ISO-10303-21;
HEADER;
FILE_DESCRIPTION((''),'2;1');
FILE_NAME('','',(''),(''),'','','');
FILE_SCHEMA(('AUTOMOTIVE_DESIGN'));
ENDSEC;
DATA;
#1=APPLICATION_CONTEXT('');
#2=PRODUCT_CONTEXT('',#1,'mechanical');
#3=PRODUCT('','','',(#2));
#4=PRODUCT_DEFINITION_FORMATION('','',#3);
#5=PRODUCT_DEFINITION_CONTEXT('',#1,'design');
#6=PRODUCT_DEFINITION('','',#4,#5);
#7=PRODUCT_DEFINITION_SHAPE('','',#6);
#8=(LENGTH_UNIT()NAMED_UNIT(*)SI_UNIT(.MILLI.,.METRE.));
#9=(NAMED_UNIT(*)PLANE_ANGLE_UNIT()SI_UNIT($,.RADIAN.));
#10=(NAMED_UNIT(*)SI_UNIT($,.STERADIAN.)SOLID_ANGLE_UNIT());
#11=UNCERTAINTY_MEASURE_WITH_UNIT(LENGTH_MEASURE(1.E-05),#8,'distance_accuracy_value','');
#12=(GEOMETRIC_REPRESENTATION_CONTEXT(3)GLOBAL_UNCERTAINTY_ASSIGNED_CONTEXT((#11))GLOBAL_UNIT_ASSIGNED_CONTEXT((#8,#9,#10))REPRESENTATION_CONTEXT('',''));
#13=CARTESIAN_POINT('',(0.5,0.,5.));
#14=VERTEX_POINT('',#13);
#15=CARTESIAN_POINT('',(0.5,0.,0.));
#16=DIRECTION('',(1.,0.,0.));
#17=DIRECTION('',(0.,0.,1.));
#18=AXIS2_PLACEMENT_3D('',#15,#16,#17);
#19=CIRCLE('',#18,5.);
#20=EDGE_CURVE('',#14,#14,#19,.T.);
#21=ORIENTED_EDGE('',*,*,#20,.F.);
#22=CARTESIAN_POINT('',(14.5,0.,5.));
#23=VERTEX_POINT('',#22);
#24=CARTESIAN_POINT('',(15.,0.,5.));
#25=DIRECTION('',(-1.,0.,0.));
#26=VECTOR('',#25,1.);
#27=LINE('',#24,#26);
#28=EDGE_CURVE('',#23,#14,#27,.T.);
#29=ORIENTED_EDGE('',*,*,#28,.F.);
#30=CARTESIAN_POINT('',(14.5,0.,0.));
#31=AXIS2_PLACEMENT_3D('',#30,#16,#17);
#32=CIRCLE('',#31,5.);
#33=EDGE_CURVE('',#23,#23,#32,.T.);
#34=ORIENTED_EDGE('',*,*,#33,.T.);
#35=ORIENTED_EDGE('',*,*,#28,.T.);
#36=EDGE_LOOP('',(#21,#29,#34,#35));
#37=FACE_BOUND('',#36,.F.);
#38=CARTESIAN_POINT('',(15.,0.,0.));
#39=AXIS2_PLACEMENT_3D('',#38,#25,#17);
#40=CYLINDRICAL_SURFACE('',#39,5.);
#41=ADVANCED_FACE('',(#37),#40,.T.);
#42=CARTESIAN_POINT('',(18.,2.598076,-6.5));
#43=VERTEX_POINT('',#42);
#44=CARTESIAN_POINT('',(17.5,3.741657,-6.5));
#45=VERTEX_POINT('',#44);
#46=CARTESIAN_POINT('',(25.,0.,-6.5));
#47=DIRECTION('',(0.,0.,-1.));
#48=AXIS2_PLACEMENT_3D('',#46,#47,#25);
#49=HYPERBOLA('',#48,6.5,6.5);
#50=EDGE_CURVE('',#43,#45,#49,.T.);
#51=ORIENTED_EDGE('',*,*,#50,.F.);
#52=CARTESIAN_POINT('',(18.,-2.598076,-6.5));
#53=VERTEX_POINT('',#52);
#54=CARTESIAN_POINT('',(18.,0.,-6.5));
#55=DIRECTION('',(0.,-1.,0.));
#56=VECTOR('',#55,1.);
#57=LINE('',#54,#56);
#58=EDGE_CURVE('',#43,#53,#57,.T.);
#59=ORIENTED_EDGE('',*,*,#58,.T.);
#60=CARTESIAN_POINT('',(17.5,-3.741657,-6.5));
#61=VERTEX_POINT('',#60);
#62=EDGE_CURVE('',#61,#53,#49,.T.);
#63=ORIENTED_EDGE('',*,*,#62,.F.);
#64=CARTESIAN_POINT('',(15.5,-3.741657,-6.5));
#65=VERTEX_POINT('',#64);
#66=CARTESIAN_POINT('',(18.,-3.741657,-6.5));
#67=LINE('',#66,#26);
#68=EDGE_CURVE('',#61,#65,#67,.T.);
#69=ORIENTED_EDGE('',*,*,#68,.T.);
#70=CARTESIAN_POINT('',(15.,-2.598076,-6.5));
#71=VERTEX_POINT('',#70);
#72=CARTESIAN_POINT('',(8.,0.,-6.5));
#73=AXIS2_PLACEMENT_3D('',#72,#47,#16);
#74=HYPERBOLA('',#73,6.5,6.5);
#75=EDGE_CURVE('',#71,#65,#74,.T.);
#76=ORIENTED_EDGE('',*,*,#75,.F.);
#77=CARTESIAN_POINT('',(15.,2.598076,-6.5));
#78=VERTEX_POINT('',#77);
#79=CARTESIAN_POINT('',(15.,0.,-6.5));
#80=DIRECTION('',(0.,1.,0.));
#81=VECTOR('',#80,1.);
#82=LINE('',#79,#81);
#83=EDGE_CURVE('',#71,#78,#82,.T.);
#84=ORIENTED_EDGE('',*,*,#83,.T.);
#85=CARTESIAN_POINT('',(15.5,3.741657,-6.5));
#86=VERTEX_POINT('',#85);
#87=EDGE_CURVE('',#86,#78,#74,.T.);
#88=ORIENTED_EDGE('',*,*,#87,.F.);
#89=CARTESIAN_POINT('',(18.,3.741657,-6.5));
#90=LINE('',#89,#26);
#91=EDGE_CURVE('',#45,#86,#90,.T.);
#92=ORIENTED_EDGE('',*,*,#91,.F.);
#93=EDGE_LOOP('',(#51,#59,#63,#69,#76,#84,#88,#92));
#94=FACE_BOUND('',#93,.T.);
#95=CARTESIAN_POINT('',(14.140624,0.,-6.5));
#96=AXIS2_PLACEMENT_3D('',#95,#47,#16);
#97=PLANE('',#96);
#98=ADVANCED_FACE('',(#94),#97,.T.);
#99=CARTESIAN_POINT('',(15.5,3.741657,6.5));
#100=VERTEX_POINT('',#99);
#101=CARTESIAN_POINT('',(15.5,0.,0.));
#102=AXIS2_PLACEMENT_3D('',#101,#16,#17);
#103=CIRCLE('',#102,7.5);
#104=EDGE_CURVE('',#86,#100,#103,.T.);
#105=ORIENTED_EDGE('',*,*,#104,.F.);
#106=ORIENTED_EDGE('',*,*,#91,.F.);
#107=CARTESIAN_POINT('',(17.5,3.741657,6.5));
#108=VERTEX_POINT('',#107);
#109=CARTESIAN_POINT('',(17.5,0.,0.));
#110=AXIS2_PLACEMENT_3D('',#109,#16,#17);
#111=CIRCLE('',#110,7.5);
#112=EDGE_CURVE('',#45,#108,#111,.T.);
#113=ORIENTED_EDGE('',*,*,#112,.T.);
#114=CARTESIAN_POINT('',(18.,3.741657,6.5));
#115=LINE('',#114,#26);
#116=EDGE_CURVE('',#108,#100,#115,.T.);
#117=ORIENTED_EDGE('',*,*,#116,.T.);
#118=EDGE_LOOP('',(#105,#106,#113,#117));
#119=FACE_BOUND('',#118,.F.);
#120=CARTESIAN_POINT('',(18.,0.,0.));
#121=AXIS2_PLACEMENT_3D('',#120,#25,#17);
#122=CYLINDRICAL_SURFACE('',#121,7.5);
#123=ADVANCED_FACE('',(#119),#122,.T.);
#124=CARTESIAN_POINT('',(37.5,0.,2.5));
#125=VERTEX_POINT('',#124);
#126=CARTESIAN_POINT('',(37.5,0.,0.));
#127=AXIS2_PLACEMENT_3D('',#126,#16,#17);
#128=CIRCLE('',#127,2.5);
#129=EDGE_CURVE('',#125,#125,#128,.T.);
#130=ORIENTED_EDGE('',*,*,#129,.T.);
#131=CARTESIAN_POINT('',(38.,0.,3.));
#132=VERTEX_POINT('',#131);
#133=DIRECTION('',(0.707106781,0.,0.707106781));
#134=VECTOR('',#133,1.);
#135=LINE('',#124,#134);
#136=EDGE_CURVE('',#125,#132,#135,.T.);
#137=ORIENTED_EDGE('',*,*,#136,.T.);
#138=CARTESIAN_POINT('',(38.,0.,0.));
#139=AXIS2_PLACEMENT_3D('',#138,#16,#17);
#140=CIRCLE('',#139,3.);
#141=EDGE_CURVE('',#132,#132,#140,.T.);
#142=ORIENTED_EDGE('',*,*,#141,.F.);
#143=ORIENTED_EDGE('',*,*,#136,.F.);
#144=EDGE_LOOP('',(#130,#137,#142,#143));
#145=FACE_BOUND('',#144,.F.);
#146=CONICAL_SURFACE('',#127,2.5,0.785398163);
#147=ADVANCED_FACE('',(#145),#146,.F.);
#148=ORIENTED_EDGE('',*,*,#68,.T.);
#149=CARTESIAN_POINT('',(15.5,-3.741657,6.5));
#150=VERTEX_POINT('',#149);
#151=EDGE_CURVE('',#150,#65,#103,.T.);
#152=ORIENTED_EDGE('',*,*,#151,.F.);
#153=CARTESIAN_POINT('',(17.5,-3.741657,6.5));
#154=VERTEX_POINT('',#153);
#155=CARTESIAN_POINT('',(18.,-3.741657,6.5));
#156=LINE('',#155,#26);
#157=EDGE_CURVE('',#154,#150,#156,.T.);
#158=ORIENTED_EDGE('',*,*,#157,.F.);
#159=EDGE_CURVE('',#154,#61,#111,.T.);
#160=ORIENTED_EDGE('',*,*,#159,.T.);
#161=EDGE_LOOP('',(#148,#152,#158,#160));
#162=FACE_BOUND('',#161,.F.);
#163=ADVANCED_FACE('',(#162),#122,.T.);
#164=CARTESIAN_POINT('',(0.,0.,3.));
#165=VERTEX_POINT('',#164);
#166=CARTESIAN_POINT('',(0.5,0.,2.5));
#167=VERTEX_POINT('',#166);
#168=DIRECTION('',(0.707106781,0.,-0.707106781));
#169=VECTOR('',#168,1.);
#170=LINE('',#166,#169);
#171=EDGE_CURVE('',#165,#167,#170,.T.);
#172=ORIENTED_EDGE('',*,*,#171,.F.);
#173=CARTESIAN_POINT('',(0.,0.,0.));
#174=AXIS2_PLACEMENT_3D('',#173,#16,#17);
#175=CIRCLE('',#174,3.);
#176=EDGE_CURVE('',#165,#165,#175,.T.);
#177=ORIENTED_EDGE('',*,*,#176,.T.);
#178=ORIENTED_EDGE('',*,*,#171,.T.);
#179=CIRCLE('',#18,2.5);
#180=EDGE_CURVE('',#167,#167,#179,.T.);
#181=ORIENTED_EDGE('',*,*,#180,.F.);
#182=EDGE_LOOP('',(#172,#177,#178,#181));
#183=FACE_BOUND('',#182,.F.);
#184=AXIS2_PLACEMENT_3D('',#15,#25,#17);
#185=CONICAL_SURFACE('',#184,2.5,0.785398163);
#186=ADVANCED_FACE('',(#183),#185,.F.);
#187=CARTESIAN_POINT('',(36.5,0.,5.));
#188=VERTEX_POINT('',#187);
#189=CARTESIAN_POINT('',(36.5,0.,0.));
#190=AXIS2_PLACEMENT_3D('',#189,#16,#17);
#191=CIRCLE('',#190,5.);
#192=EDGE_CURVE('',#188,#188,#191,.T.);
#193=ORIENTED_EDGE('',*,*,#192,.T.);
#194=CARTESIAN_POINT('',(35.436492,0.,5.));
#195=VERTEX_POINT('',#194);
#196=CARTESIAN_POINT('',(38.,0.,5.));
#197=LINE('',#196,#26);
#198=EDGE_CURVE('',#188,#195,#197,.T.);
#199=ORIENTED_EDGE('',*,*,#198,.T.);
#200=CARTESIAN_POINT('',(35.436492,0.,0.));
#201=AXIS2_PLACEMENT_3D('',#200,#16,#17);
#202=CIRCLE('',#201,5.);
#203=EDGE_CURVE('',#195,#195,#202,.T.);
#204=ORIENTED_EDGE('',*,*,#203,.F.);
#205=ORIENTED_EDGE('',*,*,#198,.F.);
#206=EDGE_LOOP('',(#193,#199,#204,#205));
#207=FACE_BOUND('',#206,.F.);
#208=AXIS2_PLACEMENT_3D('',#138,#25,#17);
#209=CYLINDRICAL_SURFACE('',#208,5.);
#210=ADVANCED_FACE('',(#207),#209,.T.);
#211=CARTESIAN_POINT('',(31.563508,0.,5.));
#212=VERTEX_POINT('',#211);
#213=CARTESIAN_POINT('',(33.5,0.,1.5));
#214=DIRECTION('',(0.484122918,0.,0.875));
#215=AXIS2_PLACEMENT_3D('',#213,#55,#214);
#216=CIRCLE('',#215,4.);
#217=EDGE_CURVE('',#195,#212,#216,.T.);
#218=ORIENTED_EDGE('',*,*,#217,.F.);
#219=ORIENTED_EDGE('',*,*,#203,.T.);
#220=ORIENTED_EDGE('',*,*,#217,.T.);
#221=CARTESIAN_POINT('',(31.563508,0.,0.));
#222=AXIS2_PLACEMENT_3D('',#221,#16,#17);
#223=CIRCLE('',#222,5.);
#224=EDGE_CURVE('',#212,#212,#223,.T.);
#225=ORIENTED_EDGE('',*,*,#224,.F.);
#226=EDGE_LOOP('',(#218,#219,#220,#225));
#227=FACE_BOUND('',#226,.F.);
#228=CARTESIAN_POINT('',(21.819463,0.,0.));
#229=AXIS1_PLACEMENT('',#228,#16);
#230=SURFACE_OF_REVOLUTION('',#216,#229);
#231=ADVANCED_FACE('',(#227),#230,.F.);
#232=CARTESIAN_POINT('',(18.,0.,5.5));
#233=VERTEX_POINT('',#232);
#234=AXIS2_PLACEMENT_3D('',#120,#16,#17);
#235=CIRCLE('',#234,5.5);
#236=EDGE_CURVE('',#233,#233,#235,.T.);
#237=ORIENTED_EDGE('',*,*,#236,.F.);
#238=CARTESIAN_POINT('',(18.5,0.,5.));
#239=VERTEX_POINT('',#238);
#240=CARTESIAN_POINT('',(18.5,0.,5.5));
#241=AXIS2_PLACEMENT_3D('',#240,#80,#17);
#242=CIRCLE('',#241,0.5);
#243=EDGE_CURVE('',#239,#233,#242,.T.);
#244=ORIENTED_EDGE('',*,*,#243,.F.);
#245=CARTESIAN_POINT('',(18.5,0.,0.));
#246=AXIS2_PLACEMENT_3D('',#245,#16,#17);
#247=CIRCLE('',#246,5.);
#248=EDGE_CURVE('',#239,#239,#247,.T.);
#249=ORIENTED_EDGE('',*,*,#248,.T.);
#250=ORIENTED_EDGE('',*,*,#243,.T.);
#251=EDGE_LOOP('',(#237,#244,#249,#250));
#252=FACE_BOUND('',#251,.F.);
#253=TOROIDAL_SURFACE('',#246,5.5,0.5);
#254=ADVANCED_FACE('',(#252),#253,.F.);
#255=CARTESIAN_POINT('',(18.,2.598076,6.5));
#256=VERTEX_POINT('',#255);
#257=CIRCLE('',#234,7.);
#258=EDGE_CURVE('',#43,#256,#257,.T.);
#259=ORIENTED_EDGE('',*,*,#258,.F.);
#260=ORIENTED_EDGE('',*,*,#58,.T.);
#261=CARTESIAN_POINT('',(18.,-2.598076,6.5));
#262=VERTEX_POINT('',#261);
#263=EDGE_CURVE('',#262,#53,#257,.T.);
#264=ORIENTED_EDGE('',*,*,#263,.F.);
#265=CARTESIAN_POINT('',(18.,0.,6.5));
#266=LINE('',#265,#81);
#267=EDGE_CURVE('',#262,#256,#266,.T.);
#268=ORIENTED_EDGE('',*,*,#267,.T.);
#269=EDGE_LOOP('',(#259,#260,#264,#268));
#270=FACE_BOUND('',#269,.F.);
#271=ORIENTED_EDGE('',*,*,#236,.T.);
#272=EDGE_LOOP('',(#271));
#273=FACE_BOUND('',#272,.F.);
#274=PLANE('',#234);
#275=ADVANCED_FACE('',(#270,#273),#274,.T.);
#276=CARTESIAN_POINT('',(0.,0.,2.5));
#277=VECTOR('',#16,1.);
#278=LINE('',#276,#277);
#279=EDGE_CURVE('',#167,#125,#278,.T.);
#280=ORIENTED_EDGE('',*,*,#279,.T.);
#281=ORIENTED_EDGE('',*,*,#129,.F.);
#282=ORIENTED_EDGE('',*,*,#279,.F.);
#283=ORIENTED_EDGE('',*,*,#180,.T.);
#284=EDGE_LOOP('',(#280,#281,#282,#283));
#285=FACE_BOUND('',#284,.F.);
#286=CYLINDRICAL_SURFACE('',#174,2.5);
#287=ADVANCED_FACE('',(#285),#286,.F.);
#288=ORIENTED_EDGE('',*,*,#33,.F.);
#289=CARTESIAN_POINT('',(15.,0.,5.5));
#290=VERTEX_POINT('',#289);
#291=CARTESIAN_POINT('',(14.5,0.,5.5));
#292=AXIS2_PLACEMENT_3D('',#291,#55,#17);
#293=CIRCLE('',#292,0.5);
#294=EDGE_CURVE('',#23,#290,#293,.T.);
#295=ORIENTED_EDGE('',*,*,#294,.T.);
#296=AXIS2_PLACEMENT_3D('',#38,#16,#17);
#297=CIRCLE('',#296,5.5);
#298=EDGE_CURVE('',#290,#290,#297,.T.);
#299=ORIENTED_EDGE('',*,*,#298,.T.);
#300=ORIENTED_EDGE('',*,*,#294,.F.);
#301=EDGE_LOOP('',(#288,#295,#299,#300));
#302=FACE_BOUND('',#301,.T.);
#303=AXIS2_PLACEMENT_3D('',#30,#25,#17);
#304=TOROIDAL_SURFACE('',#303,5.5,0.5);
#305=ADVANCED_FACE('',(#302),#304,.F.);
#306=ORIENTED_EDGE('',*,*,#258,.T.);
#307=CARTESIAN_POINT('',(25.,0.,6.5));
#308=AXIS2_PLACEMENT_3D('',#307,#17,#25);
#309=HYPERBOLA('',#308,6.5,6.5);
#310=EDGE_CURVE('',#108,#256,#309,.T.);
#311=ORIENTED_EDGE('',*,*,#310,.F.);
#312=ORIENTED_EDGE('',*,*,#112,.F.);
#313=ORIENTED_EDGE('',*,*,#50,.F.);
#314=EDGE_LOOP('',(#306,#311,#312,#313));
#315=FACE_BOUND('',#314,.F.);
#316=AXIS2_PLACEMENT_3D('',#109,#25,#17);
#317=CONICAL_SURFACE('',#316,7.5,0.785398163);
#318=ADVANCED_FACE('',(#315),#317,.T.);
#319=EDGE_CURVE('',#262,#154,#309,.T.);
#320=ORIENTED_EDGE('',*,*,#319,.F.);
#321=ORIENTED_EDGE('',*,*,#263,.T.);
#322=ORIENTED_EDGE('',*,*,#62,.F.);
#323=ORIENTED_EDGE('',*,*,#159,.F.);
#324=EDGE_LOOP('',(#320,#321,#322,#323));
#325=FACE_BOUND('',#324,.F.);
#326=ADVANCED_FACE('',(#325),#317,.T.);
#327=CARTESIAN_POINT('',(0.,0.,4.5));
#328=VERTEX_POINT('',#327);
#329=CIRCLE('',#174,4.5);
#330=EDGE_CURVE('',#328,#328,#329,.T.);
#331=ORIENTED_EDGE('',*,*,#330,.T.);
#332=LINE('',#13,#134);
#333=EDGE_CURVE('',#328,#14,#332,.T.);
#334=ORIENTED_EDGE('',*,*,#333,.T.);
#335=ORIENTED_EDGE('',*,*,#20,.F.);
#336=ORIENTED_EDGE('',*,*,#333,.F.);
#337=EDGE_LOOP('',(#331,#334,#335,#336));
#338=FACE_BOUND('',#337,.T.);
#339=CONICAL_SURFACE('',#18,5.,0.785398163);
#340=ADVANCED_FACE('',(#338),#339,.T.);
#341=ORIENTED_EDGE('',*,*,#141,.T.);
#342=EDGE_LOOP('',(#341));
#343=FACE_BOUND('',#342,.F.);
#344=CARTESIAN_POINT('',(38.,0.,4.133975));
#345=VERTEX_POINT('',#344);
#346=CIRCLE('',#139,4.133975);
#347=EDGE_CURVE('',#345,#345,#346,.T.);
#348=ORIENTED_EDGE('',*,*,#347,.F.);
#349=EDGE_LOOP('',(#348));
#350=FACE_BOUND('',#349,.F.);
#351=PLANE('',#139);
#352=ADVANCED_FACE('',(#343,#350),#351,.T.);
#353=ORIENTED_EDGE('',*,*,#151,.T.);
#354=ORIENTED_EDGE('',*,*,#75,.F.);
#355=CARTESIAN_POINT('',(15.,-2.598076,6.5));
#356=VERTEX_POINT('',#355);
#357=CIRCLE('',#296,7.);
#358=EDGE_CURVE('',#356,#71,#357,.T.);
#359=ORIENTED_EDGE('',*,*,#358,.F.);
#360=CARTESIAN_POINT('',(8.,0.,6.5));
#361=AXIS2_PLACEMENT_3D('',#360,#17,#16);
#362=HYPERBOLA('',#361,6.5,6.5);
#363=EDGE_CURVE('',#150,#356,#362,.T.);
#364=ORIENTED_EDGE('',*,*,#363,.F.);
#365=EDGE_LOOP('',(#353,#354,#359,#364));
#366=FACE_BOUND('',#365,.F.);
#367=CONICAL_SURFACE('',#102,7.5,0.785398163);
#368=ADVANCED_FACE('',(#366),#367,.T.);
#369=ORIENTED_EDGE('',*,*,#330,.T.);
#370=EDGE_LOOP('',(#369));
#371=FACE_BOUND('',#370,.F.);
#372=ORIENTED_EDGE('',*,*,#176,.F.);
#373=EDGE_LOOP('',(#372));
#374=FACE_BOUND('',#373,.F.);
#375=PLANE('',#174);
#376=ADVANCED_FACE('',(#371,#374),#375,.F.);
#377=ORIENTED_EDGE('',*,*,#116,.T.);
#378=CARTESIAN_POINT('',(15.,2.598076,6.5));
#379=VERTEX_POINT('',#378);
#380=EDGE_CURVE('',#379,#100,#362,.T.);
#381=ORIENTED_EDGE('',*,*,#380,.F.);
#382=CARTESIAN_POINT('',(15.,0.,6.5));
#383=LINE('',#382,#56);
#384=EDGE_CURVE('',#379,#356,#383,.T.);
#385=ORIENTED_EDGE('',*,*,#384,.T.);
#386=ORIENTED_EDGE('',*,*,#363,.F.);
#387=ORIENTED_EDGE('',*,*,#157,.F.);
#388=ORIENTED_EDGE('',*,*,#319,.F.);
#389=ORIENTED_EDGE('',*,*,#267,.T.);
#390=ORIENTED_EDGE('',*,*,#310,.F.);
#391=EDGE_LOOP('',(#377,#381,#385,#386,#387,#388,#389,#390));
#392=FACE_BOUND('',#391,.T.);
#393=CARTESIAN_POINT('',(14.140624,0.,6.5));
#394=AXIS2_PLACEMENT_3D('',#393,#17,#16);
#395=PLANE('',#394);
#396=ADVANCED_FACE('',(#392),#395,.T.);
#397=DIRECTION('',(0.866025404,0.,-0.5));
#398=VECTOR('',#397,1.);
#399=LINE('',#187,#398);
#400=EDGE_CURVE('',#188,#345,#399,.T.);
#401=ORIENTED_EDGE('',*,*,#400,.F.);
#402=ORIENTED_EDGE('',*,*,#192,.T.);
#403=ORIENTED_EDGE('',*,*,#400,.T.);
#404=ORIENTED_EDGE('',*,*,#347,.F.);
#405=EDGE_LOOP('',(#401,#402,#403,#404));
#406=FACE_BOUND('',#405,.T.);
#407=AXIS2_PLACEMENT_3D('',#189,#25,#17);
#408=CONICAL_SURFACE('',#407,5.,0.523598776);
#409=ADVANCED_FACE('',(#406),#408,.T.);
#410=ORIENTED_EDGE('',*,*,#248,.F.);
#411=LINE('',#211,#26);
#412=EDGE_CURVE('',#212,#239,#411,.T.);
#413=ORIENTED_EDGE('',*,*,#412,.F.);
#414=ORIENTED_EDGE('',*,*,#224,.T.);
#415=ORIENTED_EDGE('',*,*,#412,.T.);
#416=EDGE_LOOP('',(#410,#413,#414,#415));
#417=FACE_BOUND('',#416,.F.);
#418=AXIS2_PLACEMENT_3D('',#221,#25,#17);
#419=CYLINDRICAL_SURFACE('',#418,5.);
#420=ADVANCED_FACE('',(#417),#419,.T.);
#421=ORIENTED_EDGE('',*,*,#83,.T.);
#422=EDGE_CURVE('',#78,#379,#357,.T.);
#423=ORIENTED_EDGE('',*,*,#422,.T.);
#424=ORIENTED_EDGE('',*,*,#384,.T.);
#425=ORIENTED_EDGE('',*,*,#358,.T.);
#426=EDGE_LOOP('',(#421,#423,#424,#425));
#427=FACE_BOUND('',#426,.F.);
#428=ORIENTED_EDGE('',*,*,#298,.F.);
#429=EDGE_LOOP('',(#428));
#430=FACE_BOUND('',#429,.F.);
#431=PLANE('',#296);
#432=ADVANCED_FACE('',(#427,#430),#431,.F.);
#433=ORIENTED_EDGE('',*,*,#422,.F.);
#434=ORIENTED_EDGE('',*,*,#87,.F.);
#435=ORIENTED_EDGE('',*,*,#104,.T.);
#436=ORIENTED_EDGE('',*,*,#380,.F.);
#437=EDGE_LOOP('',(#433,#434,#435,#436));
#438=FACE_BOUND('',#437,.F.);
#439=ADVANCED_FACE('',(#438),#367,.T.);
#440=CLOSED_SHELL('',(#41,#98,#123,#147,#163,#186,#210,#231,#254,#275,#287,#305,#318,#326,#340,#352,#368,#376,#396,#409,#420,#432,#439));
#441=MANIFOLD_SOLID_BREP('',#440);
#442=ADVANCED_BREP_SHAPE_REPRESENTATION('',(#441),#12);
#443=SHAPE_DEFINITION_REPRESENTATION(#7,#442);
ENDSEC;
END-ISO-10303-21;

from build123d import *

# Parameters (mm, degrees)
F2_SIZE  = 0.5
F3_SIZE2 = 0.8660254038
F3_SIZE  = 1.5
F4_R     = 0.5
F5_W     = 5
F5_H     = 2.7889910041
F5_H_2   = 4.1100917986
F6_DEPTH = 12.5


with BuildPart() as f1:
    # F0 (on Front) → F1 (revolve)
    with BuildSketch(Plane.XZ):
        with BuildLine():
            Line((0, 5), (0, 2.5))
            Line((0, 2.5), (38, 2.5))
            Line((38, 2.5), (38, 5))
            Line((38, 5), (35.4364916731, 5))
            ThreePointArc((35.4364916731, 5), (33.5, 5.5), (31.5635083269, 5))
            Line((31.5635083269, 5), (18, 5))
            Line((18, 5), (18, 7.5))
            Line((18, 7.5), (15, 7.5))
            Line((15, 7.5), (15, 5))
            Line((15, 5), (0, 5))
        make_face()
    revolve(axis=Axis((21.8194629997, 0, 0), (1, 0, 0)))

    # F2
    f2_edges = [f1.edges().sort_by_distance(p)[0] for p in [
        (0, 0, -5),
        (18, 0, -7.5),
        (15, 0, -7.5),
        (0, 0, -2.5),
        (38, 0, -2.5),
    ]]
    chamfer(f2_edges, length=F2_SIZE)

    # F3
    f3_edges = [f1.edges().sort_by_distance(p)[0] for p in [
        (38, 0, -5),
    ]]
    f3_side = f1.faces().sort_by_distance((36.718246, 0, -5))[0]
    chamfer(f3_edges, length=F3_SIZE, length2=F3_SIZE2, reference=f3_side)

    # F4
    f4_edges = [f1.edges().sort_by_distance(p)[0] for p in [
        (18, 0, -5),
        (15, 0, -5),
    ]]
    fillet(f4_edges, radius=F4_R)

    # F5 (on Front) → F6 (cut, symmetric)
    with BuildSketch(Plane.XZ):
        with Locations((16.6406241506, 7.894495502)):
            Rectangle(F5_W, F5_H)
        with Locations((16.6406241506, -8.5550458993)):
            Rectangle(F5_W, F5_H_2)
    extrude(amount=F6_DEPTH, both=True, mode=Mode.SUBTRACT)


solid = f1.part
